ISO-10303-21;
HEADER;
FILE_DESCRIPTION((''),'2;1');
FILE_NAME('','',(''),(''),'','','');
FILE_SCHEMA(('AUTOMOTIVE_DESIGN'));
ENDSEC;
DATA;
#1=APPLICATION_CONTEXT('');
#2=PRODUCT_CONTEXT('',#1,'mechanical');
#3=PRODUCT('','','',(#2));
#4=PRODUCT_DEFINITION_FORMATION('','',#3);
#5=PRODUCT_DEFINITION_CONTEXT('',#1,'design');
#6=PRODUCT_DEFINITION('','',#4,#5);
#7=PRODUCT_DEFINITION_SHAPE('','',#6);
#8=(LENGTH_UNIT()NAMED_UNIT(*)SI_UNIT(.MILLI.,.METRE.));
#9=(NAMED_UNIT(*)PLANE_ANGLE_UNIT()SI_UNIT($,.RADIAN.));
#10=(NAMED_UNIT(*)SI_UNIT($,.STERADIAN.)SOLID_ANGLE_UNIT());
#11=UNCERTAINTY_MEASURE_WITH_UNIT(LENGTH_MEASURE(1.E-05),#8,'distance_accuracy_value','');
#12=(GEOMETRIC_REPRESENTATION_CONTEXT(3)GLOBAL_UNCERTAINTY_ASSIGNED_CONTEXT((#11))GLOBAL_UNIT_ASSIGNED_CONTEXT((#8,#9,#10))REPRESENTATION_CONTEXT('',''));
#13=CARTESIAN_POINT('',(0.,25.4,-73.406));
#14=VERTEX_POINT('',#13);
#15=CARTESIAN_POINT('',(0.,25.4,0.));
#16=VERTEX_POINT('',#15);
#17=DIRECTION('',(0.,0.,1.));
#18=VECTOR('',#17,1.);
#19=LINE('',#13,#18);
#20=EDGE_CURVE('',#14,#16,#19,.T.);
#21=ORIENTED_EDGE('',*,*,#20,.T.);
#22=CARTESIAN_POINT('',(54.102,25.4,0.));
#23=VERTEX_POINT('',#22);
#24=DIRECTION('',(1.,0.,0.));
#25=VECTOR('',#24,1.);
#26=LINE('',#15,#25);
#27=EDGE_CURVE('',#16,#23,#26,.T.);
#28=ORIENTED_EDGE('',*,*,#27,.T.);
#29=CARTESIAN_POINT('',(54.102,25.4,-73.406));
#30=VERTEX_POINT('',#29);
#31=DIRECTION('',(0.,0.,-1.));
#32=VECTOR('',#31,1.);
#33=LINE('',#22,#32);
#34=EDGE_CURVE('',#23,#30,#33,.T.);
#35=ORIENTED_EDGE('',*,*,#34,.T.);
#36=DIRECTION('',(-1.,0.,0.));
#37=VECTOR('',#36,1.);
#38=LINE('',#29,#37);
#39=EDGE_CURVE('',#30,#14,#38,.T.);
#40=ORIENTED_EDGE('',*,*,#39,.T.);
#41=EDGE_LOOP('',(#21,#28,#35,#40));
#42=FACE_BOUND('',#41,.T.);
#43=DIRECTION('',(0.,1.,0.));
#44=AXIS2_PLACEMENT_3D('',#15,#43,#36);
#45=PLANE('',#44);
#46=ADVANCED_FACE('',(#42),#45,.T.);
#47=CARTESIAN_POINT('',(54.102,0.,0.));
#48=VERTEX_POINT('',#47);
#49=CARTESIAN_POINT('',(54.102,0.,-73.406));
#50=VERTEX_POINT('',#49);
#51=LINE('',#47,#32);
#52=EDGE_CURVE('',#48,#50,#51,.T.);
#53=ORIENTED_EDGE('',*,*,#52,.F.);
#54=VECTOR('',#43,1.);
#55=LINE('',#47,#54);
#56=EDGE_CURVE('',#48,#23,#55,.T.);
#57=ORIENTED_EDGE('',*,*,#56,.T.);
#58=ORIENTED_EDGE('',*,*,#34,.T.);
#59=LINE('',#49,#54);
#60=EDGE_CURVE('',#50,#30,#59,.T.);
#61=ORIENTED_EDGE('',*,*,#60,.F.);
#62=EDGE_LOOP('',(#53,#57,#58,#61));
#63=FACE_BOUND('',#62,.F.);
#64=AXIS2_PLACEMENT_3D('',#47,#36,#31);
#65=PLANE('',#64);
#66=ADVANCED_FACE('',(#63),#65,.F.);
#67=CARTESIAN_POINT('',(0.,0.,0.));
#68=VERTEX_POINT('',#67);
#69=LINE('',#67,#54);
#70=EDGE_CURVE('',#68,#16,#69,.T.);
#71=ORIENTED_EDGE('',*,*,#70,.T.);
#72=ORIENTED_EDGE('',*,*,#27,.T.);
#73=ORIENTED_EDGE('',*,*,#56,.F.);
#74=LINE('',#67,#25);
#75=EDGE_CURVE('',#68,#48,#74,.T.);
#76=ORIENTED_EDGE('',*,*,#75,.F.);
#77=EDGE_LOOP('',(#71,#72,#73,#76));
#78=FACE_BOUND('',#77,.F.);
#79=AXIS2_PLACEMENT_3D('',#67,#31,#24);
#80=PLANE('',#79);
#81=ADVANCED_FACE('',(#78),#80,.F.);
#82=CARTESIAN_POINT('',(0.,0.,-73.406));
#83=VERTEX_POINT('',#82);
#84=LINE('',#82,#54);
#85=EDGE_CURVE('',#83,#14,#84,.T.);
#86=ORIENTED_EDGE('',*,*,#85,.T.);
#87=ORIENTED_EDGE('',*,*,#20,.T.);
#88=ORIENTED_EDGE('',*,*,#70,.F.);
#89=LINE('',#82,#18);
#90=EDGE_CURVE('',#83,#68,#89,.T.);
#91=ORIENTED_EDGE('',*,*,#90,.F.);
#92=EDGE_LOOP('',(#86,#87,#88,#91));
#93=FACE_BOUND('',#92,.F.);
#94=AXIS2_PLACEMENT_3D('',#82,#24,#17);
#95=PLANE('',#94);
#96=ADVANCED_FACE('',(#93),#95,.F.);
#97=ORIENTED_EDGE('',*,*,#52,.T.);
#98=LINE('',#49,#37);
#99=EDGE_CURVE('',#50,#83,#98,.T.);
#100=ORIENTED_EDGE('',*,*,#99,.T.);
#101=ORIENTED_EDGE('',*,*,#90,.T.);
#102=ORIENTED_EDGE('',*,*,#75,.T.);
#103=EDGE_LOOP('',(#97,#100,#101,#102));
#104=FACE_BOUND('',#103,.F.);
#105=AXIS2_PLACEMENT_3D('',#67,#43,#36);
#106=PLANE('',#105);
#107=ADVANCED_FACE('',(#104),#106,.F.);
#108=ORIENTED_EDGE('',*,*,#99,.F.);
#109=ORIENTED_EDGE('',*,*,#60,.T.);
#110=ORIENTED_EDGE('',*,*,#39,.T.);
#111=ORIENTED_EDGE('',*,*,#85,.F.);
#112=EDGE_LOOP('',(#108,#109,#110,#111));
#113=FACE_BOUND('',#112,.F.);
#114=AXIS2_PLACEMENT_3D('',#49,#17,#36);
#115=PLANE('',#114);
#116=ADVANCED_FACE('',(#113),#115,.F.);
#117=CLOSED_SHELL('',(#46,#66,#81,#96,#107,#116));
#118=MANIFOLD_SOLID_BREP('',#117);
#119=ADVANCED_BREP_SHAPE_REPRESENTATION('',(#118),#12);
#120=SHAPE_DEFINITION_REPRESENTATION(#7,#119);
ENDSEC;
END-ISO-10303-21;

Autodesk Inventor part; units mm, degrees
ref_plane "YZ Plane" through (0, 0, 0) normal (1, 0, 0) x (0, 1, 0)
ref_plane "XZ Plane" through (0, 0, 0) normal (0, 1, 0) x (-1, 0, 0)
ref_plane "XY Plane" through (0, 0, 0) normal (0, 0, 1) x (1, 0, 0)
sketch "Sketch1" plane through (0, 0, 0) normal (0, 1, 0) x (-1, 0, 0)
  line L0 (0, 0) -> (-54.102, 0)
  line L1 (-54.102, 0) -> (-54.102, -73.406)
  line L2 (-54.102, -73.406) -> (0, -73.406)
  line L3 (0, -73.406) -> (0, 0)
  dimension "d0" = 73.406
  dimension "d1" = 54.102
extrude "Extrusion1" add sketch "Sketch1" along normal blind 25.4
sketch "Sketch2" plane through (0, 25.4, 0) normal (0, 1, 0) x (1, 0, 0)
  line L0 (13.483, 50.1527) -> (44.1688, 50.1527) construction
  line L1 (44.1688, 50.1527) -> (44.1688, 23.7266) construction
  line L2 (44.1688, 23.7266) -> (13.483, 23.7266) construction
  line L3 (13.483, 23.7266) -> (13.483, 50.1527) construction
  point P0 (0, 0)
properties part number "skyhopper"
